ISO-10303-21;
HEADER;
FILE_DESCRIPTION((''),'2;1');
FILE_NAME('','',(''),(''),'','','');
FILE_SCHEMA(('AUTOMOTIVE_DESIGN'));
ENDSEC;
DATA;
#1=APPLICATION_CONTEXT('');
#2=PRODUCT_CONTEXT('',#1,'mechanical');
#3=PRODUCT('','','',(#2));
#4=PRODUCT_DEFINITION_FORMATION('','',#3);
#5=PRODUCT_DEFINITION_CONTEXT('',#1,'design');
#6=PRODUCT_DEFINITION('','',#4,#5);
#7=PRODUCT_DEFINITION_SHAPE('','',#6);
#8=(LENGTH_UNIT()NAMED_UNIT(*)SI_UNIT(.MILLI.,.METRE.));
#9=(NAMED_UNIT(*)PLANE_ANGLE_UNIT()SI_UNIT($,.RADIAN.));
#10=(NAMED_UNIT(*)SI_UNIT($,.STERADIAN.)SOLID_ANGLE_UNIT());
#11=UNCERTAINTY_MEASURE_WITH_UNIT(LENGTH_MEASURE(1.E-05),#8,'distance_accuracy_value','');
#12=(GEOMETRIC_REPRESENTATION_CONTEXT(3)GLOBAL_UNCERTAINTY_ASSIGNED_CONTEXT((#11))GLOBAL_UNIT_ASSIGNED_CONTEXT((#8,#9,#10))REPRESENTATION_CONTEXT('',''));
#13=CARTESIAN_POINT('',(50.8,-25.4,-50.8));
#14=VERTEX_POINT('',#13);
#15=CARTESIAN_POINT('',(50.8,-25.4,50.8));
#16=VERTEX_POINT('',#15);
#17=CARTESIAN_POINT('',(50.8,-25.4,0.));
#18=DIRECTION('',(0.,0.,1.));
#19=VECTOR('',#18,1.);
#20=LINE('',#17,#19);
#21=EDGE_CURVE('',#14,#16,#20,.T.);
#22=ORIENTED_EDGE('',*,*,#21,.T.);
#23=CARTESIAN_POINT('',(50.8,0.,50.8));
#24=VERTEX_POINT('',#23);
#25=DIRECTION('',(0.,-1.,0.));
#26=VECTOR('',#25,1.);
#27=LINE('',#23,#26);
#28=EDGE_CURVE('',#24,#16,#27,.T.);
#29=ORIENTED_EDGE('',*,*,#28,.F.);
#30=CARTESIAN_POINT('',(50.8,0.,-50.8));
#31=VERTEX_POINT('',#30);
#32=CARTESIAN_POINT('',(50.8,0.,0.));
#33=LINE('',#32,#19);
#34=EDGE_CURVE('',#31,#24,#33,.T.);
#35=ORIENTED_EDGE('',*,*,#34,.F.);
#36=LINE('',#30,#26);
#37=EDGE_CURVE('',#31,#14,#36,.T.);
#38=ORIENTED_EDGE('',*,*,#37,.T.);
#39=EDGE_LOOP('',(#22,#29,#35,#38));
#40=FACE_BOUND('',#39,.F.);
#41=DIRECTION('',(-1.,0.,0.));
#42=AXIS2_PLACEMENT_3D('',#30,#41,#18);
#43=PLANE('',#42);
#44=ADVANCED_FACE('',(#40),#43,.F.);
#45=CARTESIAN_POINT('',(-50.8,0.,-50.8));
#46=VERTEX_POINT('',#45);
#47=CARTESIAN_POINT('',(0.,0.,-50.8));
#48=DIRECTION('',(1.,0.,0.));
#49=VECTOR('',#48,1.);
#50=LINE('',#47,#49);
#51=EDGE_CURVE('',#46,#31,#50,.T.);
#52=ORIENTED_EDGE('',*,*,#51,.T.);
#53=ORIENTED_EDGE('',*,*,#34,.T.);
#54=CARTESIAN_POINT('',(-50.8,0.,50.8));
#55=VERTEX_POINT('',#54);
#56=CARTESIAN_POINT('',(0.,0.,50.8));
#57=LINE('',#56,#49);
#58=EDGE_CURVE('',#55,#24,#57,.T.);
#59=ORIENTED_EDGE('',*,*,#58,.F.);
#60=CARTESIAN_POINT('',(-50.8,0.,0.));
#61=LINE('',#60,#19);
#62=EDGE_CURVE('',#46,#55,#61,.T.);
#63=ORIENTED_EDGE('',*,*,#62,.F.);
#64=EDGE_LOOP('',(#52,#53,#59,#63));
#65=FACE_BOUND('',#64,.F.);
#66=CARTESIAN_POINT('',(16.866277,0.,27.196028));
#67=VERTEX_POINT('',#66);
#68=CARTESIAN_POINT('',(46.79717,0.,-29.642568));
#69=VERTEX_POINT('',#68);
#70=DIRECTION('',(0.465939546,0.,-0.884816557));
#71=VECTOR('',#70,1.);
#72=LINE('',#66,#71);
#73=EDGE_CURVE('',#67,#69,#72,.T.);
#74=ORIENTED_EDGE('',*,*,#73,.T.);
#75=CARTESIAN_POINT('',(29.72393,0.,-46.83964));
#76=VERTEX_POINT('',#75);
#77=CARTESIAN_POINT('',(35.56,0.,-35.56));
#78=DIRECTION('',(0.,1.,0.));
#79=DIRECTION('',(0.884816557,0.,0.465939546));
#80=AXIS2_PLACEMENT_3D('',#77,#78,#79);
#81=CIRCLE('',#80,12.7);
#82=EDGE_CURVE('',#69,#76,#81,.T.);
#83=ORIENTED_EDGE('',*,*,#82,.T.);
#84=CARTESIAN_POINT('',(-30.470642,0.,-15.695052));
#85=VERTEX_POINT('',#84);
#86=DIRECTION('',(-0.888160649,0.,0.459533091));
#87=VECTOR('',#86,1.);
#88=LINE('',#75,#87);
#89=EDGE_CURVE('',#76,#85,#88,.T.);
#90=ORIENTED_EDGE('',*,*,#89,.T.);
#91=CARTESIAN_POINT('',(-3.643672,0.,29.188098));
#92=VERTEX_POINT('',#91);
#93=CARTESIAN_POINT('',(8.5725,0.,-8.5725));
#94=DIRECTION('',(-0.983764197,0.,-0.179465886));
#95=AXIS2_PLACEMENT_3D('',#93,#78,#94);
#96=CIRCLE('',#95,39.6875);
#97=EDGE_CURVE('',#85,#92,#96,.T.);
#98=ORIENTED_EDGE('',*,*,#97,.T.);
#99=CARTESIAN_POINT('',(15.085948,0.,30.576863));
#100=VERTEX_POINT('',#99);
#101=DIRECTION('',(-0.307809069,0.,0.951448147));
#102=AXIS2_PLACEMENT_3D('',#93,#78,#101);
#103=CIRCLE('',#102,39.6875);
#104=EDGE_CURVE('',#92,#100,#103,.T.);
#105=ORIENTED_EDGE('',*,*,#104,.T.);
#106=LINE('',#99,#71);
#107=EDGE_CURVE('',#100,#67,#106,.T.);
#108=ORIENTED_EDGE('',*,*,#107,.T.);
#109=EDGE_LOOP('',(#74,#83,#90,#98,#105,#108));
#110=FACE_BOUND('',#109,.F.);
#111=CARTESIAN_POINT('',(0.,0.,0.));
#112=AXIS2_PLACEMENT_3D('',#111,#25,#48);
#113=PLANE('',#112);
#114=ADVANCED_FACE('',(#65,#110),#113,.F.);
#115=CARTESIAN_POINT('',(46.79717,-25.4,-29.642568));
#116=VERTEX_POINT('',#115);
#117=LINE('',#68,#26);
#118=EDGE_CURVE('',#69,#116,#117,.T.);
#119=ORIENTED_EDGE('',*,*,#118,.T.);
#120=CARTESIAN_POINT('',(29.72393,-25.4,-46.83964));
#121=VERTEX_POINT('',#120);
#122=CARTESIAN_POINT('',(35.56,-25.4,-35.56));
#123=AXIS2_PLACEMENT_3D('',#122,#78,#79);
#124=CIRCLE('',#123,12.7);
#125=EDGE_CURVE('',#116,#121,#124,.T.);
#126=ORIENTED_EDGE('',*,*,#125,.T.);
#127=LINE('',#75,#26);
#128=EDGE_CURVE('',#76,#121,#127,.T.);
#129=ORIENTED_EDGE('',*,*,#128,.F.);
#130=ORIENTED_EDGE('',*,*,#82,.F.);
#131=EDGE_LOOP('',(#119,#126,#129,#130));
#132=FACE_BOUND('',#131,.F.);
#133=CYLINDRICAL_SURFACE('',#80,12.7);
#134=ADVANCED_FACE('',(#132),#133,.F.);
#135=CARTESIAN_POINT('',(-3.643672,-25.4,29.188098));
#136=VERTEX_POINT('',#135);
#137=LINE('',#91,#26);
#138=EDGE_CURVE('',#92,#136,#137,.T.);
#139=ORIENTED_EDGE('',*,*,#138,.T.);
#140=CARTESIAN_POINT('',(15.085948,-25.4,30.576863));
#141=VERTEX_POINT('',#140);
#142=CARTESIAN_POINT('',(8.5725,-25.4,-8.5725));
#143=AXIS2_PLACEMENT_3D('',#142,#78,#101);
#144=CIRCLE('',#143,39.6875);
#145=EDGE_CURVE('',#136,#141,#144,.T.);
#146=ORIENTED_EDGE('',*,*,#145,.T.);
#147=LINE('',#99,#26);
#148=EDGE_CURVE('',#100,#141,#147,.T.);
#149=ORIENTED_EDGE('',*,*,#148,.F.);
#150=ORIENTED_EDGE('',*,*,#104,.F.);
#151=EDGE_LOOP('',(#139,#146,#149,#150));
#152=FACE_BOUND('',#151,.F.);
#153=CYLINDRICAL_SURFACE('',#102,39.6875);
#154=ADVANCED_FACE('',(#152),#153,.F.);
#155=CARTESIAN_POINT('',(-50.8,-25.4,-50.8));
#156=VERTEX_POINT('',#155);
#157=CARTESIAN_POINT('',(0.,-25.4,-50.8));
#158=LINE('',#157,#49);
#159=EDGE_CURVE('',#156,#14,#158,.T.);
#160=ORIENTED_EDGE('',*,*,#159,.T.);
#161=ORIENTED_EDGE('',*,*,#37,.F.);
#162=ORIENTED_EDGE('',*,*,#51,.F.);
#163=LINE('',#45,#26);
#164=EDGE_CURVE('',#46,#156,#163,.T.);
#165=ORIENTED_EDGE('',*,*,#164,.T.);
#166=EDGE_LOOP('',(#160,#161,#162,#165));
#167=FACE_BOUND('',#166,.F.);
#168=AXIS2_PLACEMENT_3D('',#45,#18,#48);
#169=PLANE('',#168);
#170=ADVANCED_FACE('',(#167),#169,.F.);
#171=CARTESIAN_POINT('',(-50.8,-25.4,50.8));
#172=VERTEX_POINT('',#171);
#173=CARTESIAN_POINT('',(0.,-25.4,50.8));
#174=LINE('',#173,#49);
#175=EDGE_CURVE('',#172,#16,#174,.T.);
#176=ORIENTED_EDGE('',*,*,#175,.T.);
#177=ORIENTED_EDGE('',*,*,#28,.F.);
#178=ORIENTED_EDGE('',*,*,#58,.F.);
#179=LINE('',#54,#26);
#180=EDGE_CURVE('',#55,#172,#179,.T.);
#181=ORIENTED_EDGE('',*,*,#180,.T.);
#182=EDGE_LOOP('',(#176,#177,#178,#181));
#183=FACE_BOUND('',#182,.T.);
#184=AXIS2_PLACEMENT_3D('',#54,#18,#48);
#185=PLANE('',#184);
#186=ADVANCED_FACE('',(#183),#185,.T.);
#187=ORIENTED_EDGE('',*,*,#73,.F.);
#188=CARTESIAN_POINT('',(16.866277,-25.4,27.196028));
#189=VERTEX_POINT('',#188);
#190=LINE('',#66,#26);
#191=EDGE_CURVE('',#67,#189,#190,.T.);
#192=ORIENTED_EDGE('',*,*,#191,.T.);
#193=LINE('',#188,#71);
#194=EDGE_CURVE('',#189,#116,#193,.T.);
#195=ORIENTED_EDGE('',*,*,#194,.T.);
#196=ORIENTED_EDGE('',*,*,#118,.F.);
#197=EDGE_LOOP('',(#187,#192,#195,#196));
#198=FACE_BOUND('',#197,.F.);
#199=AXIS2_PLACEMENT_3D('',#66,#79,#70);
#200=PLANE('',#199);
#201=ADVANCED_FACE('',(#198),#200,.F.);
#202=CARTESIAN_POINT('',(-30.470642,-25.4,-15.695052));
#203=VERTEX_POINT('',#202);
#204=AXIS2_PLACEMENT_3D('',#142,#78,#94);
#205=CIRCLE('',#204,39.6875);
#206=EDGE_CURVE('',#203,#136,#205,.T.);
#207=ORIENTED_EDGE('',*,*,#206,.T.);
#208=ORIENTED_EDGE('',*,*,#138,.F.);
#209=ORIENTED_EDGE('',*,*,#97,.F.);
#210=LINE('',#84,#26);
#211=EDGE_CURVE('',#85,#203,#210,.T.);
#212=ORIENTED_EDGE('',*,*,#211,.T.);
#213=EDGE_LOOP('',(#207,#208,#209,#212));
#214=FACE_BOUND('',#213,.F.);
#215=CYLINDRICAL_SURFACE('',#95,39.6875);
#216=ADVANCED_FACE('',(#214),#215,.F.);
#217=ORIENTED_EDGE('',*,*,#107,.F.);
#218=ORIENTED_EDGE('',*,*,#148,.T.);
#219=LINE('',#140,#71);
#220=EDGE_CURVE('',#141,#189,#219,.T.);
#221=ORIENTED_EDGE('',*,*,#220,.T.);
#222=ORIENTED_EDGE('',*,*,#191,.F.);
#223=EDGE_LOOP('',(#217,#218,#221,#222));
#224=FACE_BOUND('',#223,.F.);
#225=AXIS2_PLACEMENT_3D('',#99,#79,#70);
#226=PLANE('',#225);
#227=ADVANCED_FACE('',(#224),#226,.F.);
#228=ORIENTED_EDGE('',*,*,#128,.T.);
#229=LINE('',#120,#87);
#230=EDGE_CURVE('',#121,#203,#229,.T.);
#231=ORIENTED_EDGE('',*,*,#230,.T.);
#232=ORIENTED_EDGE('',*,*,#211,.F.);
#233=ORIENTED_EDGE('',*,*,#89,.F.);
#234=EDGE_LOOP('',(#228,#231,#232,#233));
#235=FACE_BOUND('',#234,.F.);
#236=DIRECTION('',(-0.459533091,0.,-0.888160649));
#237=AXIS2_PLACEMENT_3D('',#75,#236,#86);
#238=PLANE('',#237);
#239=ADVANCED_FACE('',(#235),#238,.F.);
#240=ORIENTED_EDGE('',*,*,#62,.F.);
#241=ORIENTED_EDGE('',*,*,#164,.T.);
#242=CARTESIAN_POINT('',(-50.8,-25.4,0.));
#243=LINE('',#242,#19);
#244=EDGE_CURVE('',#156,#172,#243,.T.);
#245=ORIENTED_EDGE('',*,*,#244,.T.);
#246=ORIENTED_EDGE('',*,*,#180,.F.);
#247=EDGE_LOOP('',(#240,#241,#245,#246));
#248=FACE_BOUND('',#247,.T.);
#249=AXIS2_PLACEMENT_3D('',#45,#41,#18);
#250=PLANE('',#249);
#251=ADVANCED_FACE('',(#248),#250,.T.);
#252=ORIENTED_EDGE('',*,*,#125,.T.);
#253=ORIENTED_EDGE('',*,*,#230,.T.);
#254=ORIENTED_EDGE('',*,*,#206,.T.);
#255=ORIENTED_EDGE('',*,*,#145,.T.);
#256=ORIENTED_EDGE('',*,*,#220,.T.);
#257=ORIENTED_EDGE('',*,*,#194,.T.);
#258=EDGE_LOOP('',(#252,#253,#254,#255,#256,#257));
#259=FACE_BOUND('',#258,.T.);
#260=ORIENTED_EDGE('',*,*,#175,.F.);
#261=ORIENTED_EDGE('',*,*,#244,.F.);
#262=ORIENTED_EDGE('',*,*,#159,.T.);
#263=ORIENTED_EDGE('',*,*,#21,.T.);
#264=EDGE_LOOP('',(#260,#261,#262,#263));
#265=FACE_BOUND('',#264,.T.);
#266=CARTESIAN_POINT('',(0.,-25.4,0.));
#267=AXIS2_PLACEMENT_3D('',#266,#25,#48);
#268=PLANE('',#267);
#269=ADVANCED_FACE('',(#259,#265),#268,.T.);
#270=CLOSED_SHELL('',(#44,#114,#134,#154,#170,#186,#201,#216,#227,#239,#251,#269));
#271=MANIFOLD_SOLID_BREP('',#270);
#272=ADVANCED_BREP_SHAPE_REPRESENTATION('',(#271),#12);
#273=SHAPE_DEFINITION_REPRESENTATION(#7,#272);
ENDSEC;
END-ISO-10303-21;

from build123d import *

# Parameters (mm, degrees)
F0_W     = 101.6
F0_H     = 101.6
F1_DEPTH = 25.4


with BuildPart() as f1:
    # F0 (on Front) → F1 (new body)
    with BuildSketch(Plane.XZ):
        Rectangle(F0_W, F0_H)
        with BuildLine():
            ThreePointArc((46.7971702756, -29.64256777), (44.5726464358, -44.5077485561), (29.7239297478, -46.839640243))
            Line((29.7239297478, -46.839640243), (-30.4706415798, -15.6950523395))
            ThreePointArc((-30.4706415798, -15.6950523395), (-25.4936653584, 11.7890823065), (-3.6436724399, 29.1880983423))
            ThreePointArc((-3.6436724399, 29.1880983423), (5.6378052837, 31.0063481789), (15.0859481683, 30.5768633308))
            Line((15.0859481683, 30.5768633308), (16.8662774091, 27.1960281902))
            Line((16.8662774091, 27.1960281902), (46.7971702756, -29.64256777))
        make_face(mode=Mode.SUBTRACT)
    extrude(amount=F1_DEPTH)


solid = f1.part
